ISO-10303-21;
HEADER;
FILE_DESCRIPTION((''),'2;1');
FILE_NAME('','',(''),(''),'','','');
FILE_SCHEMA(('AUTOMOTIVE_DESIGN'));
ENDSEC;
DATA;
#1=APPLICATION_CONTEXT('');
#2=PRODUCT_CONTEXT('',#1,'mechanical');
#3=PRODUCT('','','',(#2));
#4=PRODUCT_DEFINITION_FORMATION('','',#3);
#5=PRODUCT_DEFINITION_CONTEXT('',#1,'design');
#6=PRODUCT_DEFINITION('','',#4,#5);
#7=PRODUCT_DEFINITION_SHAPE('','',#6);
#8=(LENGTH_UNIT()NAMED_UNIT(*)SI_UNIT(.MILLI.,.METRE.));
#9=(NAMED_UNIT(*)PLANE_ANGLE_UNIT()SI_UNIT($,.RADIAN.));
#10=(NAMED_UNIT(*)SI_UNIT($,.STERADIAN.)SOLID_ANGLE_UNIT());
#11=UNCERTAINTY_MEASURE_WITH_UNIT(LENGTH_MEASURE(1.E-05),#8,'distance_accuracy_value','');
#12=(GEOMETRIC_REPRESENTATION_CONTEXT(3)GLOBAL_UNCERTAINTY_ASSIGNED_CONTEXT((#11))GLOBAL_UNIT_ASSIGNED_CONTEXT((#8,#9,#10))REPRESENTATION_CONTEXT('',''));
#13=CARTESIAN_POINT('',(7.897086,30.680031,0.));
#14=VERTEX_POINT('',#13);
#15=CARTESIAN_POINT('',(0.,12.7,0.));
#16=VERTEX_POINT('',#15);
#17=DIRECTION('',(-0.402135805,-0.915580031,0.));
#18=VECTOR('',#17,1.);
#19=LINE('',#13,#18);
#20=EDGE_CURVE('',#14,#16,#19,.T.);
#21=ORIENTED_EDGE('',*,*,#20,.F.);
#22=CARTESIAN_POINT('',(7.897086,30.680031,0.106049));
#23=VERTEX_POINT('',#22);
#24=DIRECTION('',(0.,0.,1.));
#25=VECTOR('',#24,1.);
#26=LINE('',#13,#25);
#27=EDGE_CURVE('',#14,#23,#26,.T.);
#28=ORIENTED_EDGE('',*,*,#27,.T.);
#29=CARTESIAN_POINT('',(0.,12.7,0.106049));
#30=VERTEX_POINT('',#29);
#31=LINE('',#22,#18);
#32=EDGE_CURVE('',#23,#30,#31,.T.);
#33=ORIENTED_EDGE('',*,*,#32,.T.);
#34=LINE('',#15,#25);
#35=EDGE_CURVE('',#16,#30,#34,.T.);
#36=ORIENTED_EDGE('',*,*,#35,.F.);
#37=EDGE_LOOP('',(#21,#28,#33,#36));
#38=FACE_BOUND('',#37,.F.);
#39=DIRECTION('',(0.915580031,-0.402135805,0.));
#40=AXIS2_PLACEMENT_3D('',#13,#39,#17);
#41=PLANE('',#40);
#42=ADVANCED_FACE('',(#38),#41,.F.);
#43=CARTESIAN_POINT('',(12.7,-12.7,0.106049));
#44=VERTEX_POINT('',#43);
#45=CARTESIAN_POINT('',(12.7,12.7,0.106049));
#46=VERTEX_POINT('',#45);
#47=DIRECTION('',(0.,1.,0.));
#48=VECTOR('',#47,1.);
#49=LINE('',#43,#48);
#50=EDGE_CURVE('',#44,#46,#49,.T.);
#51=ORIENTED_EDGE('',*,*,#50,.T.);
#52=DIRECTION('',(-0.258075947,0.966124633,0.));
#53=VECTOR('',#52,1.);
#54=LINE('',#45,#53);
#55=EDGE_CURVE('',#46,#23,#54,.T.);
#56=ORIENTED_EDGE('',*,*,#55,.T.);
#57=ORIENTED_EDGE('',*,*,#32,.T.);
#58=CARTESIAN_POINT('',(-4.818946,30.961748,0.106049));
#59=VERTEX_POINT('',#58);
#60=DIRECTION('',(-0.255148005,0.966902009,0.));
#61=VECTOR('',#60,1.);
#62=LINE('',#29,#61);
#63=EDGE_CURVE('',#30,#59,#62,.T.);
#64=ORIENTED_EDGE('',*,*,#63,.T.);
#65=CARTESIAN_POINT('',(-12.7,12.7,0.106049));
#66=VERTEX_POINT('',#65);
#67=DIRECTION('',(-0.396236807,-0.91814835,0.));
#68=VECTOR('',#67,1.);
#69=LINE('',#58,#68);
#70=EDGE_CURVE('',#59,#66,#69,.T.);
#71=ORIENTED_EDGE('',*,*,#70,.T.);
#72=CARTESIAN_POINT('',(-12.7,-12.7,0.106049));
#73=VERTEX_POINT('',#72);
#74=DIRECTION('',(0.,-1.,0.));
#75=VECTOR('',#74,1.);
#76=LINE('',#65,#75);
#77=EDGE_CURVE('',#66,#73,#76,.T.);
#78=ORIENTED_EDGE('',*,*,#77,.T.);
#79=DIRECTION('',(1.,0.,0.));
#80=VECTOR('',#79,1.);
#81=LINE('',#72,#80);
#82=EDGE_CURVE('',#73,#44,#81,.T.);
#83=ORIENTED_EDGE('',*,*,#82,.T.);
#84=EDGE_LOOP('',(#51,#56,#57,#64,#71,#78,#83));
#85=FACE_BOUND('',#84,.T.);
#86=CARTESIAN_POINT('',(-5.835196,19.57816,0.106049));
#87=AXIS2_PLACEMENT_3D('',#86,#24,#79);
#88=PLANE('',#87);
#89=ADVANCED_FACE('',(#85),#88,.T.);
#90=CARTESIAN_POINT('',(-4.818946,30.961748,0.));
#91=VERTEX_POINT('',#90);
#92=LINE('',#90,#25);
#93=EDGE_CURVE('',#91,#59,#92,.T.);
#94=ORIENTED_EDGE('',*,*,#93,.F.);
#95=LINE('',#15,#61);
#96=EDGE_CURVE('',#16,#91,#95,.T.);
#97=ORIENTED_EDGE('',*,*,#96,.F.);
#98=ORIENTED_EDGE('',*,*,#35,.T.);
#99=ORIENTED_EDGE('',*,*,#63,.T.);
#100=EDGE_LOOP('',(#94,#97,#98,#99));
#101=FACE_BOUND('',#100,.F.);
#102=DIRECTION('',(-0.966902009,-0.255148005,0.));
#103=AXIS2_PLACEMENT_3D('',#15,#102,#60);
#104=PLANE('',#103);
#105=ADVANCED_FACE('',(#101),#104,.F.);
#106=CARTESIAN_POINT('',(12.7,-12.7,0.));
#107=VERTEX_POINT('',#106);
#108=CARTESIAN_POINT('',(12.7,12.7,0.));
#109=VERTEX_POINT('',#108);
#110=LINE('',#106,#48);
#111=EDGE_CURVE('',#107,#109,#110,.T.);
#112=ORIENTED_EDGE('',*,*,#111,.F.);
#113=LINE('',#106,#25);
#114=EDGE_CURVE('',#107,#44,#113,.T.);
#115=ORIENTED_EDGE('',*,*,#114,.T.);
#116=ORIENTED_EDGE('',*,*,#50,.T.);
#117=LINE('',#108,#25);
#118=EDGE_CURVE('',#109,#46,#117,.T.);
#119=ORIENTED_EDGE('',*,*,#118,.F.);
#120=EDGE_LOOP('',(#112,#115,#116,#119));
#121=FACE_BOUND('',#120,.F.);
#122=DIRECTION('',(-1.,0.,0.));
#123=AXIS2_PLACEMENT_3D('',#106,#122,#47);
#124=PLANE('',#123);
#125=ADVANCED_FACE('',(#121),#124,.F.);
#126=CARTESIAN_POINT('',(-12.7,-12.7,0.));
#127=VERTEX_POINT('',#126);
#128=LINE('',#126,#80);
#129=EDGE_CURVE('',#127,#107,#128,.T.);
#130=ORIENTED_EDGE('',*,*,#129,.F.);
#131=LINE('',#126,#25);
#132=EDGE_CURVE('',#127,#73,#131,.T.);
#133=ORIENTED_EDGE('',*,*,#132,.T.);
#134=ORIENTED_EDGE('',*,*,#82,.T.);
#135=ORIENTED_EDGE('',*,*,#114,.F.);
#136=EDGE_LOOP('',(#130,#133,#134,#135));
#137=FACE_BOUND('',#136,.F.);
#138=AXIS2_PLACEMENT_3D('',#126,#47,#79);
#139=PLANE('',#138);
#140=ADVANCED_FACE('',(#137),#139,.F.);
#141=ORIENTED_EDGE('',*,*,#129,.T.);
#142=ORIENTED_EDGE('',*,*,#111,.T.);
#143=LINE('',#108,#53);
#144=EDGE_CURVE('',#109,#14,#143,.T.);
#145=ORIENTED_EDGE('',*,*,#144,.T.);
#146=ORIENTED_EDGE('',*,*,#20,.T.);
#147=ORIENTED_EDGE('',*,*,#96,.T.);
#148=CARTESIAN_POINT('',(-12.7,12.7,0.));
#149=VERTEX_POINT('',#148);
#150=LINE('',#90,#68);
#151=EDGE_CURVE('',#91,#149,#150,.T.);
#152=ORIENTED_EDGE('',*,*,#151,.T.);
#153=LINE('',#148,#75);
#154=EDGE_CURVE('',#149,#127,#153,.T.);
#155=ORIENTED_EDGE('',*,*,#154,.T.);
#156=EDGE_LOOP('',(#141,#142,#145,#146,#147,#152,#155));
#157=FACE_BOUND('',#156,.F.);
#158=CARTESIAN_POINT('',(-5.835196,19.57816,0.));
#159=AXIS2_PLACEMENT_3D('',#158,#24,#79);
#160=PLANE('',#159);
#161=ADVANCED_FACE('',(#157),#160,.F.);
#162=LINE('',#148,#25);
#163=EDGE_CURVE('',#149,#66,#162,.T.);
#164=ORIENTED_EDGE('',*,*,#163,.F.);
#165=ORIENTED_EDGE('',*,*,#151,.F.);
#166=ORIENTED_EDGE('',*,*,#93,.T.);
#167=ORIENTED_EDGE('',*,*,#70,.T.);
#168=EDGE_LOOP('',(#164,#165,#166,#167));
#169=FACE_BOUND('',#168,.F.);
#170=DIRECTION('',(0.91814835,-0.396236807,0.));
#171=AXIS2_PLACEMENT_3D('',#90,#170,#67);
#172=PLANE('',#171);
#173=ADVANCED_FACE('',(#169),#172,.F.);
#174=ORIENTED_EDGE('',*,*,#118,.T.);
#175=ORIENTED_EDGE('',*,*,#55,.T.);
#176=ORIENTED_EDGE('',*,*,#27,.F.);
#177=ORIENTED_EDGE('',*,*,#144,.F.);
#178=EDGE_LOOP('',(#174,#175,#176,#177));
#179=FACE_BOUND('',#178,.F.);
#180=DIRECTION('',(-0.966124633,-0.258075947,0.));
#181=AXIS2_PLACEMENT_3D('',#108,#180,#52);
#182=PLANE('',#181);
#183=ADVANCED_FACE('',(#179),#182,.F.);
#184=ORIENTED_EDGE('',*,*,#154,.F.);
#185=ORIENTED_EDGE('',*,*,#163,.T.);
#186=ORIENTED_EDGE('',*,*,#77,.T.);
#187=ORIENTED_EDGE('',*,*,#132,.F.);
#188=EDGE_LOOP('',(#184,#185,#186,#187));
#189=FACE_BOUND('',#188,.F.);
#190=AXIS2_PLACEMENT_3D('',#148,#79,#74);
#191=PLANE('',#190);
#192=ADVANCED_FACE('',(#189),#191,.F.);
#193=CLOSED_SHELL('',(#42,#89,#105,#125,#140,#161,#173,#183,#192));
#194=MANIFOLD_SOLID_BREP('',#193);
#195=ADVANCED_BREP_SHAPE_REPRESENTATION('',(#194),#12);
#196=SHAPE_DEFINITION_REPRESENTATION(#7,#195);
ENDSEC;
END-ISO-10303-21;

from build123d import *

# Parameters (mm, degrees)
F1_DEPTH = 0.106049


with BuildPart() as f1:
    # F0 (on Top) → F1 (new body)
    with BuildSketch(Plane.XY):
        Polygon((-4.818946, 30.961748), (-12.7, 12.7), (0, 12.7), align=None)
        Polygon((0, 12.7), (12.7, 12.7), (7.897086, 30.680031), align=None)
        Polygon((-12.7, -12.7), (12.7, -12.7), (12.7, 12.7), (0, 12.7), (-12.7, 12.7), align=None)
    extrude(amount=F1_DEPTH)


solid = f1.part
